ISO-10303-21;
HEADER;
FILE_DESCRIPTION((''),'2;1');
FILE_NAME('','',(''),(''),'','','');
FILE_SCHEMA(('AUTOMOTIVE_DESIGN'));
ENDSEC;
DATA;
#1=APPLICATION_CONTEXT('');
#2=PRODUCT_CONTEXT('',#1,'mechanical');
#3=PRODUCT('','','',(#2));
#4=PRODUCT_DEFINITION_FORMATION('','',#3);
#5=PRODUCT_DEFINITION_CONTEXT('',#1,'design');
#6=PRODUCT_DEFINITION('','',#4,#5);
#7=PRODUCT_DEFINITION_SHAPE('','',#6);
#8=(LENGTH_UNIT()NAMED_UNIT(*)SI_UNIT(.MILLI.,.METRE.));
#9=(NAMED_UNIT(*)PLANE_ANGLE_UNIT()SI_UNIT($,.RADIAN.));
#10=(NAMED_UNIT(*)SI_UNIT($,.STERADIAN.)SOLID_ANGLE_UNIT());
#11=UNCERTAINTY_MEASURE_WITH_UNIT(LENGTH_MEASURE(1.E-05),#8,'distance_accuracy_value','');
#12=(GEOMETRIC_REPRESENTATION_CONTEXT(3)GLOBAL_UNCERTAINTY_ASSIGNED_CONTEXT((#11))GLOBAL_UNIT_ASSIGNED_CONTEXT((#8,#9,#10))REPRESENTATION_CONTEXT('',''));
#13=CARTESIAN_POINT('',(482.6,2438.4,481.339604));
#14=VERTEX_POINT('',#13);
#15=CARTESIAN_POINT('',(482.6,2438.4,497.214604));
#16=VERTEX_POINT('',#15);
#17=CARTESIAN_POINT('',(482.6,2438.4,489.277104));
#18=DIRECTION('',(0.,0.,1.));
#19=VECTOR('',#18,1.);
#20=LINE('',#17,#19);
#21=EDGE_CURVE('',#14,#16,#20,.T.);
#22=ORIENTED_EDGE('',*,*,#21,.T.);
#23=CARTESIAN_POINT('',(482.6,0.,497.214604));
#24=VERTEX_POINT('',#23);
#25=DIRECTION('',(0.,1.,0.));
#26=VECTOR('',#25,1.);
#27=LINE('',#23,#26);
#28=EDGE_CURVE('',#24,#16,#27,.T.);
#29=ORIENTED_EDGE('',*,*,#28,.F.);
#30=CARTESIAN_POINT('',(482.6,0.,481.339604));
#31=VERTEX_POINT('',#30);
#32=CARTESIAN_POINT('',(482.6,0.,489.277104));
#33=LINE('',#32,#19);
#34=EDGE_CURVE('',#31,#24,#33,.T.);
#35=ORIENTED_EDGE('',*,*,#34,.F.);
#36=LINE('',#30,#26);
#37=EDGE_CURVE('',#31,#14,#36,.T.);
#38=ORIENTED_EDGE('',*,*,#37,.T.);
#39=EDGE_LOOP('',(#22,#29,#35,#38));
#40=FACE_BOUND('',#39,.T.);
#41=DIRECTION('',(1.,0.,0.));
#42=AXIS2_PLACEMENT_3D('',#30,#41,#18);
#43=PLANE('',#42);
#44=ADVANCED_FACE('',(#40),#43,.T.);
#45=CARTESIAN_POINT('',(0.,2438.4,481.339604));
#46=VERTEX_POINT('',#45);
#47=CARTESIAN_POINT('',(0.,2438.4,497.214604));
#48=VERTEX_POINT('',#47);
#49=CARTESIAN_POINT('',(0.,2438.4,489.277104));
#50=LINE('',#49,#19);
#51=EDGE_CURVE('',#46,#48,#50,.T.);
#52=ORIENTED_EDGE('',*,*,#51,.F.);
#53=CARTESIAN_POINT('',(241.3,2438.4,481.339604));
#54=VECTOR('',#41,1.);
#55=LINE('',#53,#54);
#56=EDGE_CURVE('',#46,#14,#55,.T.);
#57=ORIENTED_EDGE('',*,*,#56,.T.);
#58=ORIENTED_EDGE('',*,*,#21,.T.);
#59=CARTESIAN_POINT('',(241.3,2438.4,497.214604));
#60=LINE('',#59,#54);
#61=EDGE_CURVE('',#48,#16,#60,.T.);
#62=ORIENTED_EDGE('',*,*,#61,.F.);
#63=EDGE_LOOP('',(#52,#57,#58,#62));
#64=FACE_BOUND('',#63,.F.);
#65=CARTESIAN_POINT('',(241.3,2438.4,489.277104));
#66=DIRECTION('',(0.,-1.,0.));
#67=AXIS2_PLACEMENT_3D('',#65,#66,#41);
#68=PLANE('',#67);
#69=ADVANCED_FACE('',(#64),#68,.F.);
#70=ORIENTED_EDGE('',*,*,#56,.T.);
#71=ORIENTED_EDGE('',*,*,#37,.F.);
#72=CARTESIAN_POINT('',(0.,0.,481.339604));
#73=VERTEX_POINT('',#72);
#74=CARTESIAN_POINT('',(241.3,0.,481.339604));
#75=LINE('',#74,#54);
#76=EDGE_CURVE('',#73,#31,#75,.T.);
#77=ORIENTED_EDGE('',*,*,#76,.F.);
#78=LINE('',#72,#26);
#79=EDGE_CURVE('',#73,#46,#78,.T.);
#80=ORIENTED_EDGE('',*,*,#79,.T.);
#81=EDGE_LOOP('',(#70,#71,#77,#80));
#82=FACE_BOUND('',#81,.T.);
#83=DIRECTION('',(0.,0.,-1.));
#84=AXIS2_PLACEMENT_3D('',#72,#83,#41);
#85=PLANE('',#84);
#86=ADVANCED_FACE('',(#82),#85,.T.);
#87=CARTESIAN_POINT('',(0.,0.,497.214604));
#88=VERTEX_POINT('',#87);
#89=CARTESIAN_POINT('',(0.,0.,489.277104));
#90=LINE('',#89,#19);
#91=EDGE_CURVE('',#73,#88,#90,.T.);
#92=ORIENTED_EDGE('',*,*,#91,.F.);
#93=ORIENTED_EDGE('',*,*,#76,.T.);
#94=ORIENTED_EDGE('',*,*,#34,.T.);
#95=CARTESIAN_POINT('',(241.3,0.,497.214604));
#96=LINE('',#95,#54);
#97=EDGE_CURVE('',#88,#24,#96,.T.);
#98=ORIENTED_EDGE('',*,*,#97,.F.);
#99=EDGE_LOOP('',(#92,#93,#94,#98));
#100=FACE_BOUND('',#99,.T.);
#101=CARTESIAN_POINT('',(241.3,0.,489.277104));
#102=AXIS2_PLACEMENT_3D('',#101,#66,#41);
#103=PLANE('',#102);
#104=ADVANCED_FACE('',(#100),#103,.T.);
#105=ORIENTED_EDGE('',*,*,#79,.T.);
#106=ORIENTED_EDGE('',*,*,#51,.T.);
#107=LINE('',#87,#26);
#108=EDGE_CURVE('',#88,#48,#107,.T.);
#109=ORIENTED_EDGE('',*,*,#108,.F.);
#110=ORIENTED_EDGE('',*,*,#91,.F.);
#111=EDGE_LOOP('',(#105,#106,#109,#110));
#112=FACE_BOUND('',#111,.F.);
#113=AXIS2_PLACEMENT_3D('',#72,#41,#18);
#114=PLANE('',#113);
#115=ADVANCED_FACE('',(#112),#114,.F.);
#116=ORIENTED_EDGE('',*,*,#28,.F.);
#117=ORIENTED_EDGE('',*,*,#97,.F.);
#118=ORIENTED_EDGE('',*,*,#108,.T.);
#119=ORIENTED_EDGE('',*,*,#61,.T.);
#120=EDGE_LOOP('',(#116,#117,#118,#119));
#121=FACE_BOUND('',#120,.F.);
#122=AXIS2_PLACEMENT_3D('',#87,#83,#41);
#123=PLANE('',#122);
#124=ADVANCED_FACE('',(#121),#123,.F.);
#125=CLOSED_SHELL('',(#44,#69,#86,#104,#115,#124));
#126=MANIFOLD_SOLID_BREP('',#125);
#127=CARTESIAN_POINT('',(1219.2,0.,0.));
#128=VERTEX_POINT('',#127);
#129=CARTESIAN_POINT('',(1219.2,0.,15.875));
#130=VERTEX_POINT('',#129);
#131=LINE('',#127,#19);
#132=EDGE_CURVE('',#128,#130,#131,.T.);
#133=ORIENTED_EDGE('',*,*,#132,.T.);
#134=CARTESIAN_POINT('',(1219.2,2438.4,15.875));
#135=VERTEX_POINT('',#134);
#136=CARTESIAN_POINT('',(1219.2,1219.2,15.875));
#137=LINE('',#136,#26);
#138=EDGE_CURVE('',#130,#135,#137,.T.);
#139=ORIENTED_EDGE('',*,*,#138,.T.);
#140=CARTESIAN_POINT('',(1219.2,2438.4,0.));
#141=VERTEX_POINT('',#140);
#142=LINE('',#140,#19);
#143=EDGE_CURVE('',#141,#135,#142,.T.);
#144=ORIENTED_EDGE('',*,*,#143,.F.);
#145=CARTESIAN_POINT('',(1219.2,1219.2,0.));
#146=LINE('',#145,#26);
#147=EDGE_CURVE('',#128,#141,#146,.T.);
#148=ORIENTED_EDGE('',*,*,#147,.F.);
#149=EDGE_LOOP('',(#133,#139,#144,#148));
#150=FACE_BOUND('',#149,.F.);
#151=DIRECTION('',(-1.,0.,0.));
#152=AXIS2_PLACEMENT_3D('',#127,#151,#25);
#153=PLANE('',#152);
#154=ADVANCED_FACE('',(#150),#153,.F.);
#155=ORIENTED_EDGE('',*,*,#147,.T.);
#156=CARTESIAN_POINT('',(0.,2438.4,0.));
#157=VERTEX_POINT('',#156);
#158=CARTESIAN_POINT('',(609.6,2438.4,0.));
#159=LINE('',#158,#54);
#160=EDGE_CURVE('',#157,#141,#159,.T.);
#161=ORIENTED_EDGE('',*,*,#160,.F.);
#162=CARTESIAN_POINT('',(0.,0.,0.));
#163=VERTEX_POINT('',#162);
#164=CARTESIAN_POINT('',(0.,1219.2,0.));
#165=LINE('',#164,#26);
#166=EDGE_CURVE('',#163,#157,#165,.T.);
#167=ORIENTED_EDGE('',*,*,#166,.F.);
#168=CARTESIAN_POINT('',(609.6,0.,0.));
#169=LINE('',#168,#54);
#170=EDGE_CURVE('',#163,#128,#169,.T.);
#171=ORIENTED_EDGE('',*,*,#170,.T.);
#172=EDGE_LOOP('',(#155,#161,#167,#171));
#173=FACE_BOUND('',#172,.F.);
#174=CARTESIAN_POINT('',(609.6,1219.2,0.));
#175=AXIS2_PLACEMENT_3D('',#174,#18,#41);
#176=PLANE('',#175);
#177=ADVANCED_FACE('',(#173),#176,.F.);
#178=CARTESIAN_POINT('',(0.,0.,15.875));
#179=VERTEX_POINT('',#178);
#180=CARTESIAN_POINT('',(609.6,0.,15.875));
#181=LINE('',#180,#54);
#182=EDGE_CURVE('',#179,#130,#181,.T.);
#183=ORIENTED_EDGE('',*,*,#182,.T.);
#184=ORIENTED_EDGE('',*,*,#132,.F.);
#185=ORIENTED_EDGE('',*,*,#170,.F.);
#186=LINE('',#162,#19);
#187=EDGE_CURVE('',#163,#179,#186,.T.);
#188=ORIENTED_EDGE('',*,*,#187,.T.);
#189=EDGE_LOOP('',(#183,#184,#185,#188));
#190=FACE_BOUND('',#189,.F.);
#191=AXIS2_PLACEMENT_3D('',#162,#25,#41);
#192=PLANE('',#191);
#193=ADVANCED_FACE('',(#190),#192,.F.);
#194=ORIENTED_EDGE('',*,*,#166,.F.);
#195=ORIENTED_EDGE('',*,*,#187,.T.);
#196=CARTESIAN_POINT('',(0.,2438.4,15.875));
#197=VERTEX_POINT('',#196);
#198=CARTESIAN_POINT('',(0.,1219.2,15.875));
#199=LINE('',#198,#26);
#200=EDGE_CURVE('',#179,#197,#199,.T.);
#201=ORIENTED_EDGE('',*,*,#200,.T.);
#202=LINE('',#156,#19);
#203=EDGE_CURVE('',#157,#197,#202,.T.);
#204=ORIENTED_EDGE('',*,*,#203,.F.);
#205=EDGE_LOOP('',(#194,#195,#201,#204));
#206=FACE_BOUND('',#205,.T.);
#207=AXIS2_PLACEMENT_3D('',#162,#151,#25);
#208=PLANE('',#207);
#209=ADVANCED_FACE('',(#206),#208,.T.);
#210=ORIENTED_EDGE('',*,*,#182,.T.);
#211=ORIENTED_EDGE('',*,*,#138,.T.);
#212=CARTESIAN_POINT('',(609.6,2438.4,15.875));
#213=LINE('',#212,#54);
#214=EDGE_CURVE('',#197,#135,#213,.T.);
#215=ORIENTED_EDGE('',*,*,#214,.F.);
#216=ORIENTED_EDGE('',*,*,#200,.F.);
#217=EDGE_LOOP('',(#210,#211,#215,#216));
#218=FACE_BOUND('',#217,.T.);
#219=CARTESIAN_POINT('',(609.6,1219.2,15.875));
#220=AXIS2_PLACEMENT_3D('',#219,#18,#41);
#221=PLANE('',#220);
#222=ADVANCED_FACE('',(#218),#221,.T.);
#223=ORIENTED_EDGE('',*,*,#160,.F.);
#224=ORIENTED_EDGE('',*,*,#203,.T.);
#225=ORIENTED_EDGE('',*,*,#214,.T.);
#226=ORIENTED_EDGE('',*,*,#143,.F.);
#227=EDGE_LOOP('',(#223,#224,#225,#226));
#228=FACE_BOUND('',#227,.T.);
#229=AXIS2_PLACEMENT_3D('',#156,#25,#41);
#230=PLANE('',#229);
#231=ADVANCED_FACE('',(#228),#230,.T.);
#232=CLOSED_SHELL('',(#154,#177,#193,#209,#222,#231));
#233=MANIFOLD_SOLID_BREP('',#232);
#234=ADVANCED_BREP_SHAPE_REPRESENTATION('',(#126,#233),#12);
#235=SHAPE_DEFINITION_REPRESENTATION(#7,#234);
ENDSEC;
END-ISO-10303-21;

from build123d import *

# Parameters (mm, degrees)
F0_W     = 1219.2
F0_H     = 2438.4
F1_DEPTH = 15.875
F2_W     = 482.6
F2_H     = 15.875
F3_DEPTH = 2438.4


with BuildPart() as f1:
    # F0 (on Top) → F1 (new body)
    with BuildSketch(Plane.XY):
        with Locations((609.6, 1219.2)):
            Rectangle(F0_W, F0_H)
    extrude(amount=F1_DEPTH)


with BuildPart() as f3:
    # F2 (on Front) → F3 (new body)
    with BuildSketch(Plane.XZ):
        with Locations((241.3, 489.277104)):
            Rectangle(F2_W, F2_H)
    extrude(amount=-F3_DEPTH)


solid = Compound([f1.part, f3.part])
